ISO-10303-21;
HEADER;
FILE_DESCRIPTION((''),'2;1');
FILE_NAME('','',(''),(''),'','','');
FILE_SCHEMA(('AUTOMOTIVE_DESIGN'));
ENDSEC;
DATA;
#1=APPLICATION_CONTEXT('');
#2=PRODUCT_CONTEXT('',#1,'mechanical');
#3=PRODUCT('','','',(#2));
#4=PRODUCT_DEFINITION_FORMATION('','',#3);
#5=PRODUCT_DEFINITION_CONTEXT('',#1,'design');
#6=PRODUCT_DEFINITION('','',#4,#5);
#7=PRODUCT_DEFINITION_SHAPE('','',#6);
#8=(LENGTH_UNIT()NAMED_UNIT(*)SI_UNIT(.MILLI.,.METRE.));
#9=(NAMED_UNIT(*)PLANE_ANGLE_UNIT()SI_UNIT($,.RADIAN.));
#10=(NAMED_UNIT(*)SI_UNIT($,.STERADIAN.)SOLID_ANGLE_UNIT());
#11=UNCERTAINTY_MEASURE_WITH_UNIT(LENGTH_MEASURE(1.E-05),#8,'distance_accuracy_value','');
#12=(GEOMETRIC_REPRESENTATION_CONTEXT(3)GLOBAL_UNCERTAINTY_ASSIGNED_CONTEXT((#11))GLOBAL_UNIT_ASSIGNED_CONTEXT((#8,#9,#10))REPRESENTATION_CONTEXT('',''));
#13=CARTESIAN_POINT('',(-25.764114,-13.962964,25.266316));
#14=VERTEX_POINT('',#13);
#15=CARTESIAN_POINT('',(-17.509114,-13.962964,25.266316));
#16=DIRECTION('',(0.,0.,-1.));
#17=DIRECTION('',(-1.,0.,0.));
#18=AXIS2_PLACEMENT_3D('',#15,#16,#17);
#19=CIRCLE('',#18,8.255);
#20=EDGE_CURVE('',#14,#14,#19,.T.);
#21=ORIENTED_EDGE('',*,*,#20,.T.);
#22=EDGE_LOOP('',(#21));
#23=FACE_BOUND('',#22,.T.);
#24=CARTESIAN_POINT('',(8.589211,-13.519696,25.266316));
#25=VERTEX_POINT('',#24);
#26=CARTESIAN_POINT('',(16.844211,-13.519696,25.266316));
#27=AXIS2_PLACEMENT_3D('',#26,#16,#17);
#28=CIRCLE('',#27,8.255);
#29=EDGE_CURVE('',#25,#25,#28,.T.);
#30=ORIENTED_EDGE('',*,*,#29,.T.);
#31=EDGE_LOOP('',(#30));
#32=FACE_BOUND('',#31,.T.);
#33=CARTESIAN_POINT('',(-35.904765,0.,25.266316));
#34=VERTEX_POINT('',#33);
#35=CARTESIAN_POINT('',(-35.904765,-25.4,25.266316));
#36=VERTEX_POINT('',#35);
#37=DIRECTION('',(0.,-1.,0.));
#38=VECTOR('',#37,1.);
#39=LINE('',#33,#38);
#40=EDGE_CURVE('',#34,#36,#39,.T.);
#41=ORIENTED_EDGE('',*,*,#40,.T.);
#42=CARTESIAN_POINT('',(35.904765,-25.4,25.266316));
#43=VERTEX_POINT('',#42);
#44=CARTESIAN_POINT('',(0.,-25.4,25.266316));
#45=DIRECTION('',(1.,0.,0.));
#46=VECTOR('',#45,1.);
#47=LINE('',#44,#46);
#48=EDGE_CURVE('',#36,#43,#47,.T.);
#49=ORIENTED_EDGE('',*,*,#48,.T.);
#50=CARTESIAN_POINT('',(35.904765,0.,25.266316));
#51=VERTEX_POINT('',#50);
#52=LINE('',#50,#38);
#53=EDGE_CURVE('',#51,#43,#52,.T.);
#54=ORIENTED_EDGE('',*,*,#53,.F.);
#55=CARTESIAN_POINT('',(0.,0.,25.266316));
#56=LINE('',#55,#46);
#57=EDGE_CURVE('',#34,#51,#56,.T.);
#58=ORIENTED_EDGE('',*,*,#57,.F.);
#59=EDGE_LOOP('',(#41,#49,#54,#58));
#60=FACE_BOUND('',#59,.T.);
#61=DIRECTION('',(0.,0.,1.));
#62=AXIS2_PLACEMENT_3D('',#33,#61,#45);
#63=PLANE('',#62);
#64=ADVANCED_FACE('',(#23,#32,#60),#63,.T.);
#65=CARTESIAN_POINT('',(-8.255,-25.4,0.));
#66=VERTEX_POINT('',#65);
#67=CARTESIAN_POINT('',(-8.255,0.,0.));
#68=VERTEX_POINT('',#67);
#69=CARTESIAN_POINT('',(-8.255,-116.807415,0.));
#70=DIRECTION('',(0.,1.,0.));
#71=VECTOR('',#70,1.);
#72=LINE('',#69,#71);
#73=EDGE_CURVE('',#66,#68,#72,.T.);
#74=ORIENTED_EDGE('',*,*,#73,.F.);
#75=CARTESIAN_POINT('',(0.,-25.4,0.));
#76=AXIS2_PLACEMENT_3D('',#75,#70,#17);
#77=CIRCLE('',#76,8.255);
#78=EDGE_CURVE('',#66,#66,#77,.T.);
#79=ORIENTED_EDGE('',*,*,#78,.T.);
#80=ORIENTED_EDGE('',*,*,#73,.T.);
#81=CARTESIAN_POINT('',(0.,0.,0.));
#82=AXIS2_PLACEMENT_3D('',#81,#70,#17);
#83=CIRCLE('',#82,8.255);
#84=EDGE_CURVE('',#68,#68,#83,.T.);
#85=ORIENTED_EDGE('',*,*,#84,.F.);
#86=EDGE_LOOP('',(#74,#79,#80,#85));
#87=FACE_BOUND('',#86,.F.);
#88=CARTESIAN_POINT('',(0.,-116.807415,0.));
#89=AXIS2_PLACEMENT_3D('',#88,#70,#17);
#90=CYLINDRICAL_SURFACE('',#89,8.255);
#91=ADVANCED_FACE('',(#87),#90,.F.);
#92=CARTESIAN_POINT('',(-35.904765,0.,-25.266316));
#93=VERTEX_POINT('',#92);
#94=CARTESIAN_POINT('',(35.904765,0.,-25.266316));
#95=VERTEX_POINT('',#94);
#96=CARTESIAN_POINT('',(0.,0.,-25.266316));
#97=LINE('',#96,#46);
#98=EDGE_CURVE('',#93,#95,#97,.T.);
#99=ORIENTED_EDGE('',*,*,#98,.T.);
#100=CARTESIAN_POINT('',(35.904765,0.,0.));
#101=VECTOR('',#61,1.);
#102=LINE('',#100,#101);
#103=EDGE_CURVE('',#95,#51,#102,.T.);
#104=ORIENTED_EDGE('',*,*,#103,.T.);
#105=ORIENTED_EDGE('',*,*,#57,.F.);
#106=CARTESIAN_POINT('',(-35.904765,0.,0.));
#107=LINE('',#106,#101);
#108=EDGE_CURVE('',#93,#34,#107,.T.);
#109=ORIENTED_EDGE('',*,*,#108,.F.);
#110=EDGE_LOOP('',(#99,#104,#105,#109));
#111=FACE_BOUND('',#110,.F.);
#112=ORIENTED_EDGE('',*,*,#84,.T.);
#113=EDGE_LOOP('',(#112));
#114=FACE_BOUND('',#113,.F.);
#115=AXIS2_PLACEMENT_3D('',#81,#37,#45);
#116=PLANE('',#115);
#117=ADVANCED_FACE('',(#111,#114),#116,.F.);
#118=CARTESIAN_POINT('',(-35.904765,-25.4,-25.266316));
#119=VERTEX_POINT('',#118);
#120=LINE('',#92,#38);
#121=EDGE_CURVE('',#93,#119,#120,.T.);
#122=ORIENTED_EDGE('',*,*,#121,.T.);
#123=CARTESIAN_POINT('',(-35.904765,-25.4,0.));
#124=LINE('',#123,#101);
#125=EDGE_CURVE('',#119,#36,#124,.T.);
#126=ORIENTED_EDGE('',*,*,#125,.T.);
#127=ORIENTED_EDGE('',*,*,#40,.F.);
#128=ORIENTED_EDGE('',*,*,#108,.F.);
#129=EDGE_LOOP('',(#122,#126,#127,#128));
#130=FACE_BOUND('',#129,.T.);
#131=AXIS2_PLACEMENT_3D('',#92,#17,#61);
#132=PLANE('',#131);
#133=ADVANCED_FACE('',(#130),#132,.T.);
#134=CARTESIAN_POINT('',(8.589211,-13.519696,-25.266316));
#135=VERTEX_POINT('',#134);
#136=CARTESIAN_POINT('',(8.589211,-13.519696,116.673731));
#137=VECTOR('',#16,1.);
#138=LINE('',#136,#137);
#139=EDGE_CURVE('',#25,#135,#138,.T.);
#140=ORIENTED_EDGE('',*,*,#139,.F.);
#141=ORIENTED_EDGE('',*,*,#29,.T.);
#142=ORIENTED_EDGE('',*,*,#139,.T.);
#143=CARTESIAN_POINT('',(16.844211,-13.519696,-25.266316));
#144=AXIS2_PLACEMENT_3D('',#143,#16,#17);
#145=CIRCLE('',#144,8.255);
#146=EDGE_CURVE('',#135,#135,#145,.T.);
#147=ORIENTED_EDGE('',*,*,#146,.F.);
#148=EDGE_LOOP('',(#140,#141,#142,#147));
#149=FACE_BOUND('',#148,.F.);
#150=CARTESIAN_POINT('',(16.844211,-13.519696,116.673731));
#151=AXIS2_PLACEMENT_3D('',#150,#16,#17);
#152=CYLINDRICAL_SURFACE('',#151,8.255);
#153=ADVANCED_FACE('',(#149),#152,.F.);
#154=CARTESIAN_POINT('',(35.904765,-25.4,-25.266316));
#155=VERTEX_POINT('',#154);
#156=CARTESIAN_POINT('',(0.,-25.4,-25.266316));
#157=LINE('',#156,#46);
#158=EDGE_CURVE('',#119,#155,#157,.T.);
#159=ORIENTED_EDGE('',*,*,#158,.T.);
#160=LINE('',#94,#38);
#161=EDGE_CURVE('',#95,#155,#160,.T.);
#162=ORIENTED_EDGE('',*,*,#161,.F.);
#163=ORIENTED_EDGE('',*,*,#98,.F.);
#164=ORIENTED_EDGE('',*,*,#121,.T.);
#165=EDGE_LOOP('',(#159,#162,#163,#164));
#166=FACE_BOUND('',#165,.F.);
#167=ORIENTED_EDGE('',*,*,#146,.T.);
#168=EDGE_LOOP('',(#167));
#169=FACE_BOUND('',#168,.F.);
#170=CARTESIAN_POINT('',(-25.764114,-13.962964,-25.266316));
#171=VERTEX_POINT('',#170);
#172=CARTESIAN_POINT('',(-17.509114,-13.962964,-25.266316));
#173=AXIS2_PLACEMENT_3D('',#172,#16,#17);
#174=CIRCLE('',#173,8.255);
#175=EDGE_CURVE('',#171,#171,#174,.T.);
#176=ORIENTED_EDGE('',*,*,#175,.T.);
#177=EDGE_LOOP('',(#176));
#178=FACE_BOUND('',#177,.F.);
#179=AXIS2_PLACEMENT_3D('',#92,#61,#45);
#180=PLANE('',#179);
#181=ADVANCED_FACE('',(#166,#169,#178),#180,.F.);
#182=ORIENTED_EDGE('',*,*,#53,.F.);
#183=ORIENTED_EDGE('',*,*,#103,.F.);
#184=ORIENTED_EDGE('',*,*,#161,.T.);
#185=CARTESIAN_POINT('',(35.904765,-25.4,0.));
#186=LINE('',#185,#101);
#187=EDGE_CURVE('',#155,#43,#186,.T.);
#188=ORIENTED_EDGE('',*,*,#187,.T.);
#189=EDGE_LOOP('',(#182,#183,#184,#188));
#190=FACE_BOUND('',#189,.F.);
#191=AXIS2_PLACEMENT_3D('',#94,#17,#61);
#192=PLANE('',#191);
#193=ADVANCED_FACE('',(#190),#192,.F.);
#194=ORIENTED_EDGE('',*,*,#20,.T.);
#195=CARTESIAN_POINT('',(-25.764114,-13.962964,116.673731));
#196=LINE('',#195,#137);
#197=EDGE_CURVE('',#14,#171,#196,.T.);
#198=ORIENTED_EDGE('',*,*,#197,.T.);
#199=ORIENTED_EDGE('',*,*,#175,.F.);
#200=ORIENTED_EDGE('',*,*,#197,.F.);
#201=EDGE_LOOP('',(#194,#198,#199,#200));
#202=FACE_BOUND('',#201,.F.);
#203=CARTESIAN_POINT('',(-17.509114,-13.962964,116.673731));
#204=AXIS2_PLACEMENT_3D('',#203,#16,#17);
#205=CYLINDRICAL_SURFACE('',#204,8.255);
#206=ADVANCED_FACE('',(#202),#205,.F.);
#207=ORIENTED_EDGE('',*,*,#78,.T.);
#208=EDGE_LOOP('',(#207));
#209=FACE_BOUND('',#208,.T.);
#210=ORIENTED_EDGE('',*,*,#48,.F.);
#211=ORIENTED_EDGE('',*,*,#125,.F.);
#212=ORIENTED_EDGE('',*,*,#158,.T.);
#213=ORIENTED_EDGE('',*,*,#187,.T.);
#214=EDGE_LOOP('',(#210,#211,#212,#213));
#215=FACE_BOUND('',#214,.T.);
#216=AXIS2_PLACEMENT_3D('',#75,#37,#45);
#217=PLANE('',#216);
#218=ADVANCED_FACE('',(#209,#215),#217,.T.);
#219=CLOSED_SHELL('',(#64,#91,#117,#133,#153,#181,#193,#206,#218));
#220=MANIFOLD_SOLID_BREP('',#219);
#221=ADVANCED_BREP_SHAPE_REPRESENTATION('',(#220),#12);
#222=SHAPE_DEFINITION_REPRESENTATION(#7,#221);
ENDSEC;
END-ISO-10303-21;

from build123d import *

# Parameters (mm, degrees)
F0_W     = 71.80953
F0_H     = 50.532632
F1_DEPTH = 25.4
F3_D     = 16.51
F5_D     = 16.51


with BuildPart() as f1:
    # F0 (on Front) → F1 (new body)
    with BuildSketch(Plane.XZ):
        Rectangle(F0_W, F0_H)
    extrude(amount=F1_DEPTH)

    # F3 (through all)
    with Locations(Plane.XZ.offset(25.4)):
        with Locations((0, 0)):
            Hole(F3_D / 2)

    # F5 (through all)
    with Locations(Plane.XY.offset(25.266316)):
        with Locations((-17.509114, -13.962964), (16.844211, -13.519696)):
            Hole(F5_D / 2)


solid = f1.part
